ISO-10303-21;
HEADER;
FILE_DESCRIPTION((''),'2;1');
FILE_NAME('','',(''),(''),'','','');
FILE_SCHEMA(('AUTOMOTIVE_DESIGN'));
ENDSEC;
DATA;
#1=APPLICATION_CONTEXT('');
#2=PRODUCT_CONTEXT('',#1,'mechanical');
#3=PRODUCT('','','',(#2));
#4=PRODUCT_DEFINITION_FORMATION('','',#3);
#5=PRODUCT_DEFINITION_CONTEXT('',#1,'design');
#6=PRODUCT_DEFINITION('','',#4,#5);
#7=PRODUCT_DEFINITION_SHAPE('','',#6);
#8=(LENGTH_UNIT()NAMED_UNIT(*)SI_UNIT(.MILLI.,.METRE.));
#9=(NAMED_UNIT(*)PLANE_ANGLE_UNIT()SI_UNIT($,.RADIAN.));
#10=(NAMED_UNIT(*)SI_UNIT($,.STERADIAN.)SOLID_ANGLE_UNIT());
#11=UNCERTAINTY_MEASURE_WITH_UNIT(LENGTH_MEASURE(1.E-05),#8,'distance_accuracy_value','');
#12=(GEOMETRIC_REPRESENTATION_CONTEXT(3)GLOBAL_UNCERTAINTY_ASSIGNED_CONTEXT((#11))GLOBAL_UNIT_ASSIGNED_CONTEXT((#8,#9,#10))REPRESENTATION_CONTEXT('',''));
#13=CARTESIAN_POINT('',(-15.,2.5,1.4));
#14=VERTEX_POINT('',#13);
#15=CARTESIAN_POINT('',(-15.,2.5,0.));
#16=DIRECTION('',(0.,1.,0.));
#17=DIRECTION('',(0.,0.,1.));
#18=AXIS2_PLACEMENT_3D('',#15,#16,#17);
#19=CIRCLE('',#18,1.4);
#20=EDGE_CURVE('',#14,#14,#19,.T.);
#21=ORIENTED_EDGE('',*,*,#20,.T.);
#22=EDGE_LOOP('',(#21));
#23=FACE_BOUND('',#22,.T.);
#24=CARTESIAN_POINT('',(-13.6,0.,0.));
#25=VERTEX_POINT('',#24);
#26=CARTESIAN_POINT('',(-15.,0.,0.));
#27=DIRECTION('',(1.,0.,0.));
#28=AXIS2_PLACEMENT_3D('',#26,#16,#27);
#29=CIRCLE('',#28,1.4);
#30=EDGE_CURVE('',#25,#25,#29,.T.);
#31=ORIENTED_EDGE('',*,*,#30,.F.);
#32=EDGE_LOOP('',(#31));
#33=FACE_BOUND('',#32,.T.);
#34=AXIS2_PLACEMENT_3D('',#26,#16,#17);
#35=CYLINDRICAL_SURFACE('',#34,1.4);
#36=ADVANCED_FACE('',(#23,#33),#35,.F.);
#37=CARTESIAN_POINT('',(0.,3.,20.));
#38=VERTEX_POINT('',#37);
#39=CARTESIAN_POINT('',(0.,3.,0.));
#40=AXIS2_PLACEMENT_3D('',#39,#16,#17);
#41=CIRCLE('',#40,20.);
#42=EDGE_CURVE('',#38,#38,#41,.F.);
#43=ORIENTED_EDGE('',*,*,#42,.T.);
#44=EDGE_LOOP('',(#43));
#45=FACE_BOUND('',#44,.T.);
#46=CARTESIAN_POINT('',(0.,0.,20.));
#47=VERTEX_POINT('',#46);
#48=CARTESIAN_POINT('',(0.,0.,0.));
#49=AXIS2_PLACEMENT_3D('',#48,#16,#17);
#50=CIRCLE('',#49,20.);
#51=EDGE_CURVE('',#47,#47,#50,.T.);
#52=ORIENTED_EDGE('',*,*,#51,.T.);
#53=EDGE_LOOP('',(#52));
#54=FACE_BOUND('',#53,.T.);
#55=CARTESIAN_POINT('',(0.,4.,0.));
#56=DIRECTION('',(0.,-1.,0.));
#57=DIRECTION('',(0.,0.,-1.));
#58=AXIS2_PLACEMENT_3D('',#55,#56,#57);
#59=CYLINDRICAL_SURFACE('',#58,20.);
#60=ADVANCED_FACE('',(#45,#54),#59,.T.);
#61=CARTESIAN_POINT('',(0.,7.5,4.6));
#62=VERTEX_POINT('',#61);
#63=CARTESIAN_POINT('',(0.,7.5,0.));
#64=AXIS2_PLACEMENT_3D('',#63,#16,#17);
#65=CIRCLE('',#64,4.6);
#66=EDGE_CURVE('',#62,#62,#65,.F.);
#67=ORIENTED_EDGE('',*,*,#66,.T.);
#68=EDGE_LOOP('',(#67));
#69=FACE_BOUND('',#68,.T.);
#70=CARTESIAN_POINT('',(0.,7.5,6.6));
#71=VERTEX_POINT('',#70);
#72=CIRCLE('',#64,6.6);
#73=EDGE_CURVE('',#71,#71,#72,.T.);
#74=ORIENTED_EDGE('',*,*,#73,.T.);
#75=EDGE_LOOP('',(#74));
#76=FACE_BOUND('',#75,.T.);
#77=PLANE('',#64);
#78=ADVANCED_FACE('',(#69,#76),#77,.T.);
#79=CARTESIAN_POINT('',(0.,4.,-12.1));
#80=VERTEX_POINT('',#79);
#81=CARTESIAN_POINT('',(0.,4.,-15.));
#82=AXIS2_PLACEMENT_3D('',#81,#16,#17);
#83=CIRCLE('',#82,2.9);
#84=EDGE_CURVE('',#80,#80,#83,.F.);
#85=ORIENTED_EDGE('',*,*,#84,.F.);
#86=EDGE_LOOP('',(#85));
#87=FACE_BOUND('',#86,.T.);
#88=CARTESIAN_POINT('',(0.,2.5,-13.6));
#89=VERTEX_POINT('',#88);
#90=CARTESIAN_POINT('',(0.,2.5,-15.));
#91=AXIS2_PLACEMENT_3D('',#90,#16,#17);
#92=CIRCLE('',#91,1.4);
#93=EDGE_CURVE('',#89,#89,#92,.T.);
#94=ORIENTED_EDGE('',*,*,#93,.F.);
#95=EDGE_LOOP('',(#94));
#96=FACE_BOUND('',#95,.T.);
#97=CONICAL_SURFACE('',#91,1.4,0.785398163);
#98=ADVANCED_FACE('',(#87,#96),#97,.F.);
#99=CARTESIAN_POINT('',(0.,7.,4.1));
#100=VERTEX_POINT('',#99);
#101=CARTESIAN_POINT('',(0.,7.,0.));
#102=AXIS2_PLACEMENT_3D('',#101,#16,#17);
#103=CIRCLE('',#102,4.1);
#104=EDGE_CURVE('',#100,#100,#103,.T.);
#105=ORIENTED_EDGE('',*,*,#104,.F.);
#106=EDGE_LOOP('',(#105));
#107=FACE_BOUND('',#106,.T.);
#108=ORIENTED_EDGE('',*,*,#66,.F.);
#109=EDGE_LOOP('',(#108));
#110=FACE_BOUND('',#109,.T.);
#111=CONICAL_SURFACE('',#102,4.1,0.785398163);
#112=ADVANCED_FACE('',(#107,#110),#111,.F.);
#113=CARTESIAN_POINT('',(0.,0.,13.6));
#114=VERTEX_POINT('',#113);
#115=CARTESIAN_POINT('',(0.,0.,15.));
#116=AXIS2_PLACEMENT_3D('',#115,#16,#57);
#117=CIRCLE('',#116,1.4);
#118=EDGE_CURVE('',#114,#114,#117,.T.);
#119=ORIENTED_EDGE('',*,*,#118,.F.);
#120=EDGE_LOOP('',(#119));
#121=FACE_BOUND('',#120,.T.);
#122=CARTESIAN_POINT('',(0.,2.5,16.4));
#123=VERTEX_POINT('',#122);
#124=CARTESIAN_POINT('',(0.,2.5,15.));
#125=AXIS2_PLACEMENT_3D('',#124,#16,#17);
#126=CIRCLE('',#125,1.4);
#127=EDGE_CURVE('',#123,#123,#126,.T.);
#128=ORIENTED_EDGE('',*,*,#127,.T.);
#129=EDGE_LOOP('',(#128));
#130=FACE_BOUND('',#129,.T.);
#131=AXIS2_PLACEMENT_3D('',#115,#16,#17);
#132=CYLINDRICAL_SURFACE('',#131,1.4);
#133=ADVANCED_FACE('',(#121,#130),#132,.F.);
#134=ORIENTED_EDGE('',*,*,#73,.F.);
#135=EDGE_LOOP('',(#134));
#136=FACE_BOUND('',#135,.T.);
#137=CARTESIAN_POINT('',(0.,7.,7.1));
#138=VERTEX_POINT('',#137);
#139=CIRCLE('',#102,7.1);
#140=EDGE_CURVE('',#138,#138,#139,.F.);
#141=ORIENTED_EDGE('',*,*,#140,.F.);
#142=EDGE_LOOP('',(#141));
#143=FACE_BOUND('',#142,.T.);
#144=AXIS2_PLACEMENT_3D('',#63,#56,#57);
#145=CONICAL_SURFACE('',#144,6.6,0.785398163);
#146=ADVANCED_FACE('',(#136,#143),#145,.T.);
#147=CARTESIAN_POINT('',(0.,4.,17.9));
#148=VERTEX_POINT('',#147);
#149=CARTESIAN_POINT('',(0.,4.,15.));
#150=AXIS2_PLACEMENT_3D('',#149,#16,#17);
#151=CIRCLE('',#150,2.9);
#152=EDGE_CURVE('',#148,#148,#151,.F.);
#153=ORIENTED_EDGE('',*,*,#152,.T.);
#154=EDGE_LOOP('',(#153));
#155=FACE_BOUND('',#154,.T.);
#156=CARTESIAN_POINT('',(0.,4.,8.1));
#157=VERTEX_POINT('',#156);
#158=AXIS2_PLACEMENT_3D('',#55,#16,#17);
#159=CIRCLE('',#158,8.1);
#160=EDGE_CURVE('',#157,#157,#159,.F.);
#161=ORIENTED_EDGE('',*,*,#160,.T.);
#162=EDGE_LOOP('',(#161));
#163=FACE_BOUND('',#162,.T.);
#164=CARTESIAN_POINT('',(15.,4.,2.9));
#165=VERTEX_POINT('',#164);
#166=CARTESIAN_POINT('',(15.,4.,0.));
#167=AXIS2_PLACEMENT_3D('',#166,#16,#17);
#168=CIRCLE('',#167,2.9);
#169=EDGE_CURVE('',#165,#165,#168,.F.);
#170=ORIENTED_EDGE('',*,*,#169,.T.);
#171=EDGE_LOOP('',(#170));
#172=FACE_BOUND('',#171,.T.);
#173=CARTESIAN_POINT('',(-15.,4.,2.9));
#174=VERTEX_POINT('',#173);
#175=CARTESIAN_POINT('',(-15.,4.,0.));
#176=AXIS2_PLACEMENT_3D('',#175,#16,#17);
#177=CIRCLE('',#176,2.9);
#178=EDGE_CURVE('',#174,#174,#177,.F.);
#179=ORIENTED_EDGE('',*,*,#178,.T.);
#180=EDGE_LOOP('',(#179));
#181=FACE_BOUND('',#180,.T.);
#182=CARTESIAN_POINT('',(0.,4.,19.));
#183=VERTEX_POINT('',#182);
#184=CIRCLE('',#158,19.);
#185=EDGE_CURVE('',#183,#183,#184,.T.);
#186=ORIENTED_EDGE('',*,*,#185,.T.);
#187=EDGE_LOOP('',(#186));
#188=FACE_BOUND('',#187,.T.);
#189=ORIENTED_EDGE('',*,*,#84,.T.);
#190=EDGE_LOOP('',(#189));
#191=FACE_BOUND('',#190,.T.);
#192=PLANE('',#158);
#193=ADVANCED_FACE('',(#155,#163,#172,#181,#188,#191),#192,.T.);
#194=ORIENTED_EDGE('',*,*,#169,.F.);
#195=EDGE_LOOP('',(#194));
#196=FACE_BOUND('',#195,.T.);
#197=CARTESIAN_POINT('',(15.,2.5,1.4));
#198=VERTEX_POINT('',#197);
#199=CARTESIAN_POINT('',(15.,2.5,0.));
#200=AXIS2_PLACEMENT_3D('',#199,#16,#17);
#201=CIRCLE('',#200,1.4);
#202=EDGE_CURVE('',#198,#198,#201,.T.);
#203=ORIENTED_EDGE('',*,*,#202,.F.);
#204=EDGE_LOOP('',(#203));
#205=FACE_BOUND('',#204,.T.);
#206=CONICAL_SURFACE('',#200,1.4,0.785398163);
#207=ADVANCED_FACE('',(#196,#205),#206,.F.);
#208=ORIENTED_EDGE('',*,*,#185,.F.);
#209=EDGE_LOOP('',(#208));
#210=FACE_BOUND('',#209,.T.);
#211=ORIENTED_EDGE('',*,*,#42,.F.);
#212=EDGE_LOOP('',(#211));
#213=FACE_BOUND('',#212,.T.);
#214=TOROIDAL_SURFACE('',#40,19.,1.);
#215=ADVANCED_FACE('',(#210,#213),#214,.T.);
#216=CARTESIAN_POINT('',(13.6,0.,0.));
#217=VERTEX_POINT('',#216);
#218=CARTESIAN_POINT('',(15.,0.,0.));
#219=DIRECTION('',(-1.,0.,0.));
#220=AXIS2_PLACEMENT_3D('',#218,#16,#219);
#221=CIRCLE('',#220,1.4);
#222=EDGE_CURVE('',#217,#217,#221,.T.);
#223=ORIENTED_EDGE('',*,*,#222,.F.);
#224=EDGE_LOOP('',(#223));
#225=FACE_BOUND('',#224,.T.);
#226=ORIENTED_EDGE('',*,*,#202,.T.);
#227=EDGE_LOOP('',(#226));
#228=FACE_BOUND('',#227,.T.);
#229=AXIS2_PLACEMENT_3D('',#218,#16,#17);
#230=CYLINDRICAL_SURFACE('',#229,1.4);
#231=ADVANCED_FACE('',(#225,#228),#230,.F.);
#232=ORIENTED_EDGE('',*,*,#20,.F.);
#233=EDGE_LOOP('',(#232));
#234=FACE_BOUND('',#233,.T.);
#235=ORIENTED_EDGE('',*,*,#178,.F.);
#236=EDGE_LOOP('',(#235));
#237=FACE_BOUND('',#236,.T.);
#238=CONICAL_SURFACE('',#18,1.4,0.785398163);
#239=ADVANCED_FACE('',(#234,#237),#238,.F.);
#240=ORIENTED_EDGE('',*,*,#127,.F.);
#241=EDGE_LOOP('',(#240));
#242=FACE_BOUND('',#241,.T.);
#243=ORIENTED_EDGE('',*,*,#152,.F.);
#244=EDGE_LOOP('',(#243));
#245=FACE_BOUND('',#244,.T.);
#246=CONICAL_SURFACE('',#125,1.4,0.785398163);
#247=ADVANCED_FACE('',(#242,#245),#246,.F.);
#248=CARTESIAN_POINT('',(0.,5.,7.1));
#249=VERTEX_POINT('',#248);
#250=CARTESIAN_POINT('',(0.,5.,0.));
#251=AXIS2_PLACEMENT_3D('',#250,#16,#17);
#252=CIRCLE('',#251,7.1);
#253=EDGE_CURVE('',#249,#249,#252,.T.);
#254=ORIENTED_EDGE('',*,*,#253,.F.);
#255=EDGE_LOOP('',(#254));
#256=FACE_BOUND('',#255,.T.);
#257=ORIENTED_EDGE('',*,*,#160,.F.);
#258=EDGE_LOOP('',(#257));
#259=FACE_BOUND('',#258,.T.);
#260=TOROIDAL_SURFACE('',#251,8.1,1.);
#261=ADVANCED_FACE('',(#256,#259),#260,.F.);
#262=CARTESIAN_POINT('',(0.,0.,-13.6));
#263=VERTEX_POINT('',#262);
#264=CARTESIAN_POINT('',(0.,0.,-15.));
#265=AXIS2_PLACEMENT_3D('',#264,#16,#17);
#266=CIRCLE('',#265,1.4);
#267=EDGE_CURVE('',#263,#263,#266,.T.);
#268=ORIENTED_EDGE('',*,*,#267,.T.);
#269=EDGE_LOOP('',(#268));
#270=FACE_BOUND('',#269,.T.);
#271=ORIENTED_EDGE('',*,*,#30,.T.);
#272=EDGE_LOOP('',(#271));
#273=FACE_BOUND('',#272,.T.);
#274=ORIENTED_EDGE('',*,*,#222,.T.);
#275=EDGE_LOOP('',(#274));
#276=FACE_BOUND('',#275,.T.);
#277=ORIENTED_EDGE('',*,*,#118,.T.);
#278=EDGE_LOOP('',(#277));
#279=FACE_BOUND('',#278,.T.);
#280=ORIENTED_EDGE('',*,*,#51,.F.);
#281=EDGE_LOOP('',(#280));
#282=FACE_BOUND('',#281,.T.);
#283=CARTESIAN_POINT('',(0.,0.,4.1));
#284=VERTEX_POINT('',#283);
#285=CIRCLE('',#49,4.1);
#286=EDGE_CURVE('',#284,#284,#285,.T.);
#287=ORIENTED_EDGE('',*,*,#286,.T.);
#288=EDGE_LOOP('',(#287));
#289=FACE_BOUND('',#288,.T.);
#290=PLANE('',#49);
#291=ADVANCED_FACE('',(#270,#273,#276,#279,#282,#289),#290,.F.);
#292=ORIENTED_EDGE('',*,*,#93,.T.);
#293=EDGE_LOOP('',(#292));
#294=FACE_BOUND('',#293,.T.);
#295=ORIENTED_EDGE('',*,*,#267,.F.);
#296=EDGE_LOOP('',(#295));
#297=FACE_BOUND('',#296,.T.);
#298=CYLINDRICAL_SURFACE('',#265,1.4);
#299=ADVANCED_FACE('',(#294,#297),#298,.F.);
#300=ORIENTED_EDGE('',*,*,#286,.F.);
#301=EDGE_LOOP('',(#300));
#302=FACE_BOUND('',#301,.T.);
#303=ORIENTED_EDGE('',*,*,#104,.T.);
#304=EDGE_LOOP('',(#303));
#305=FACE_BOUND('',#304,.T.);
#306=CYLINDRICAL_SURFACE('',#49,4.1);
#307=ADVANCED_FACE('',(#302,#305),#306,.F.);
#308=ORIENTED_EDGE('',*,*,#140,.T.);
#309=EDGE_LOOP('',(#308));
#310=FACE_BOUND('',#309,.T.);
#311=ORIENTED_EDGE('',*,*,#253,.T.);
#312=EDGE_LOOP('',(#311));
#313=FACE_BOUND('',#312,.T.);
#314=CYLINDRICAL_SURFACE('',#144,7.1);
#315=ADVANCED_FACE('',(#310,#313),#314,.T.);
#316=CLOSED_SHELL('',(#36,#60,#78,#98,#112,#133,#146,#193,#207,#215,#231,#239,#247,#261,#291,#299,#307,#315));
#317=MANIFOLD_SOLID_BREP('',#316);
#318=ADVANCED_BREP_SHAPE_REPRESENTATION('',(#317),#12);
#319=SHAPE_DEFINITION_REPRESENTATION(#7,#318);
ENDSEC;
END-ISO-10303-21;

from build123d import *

# Parameters (mm, degrees)
SKETCH1_R                    = 20
BOSS_EXTRUDE1_DEPTH          = 4
SKETCH2_R                    = 4.1
CUT_EXTRUDE1_DEPTH           = 29.565713714
SKETCH3_R                    = 1.4
CUT_EXTRUDE2_DEPTH           = 29.565713714
CHAMFER1_SIZE                = 1.5
CIRPATTERN1_COUNT            = 4
CHAMFER1_OF_CIRPATTERN1_SIZE = 1.5
FILLET1_R                    = 1
BOSS_EXTRUDE2_START          = 3.5
SKETCH4_R                    = 7.1
SKETCH4_R_2                  = 4.1
BOSS_EXTRUDE2_DEPTH          = 3.5
CHAMFER2_SIZE                = 0.5
FILLET2_R                    = 1
CHAMFER3_SIZE                = 0.5


with BuildPart() as part:
    # Sketch1 → Boss-Extrude1 (new body)
    with BuildSketch(Plane(origin=(0, 0, 0), x_dir=(1, 0, 0), z_dir=(0, 1, 0))):
        Circle(SKETCH1_R)
    extrude(amount=BOSS_EXTRUDE1_DEPTH)

    # Sketch2 → Cut-Extrude1 (cut, through all)
    with BuildSketch(Plane(origin=(0, 4, 0), x_dir=(1, 0, 0), z_dir=(0, 1, 0))):
        Circle(SKETCH2_R)
    extrude(amount=-CUT_EXTRUDE1_DEPTH, mode=Mode.SUBTRACT)

    # Sketch3 → Cut-Extrude2 (cut, through all)
    with BuildSketch(Plane(origin=(0, 4, 0), x_dir=(1, 0, 0), z_dir=(0, 1, 0))):
        with Locations((0, 15)):
            Circle(SKETCH3_R)
    cut_extrude2 = extrude(amount=-CUT_EXTRUDE2_DEPTH, mode=Mode.SUBTRACT)

    # Chamfer1
    chamfer1_edges = [part.edges().sort_by_distance(p)[0] for p in [
        (-1.4, 4, -15),
    ]]
    chamfer(chamfer1_edges, length=CHAMFER1_SIZE)

    # CirPattern1: Cut-Extrude2 ×4 about axis
    cirpattern1_axis = Axis((0, 0, 0), (0, 1, 0))
    for i in range(1, CIRPATTERN1_COUNT):
        add(cut_extrude2.rotate(cirpattern1_axis, i * 360 / CIRPATTERN1_COUNT), mode=Mode.SUBTRACT)

    # Chamfer1 of CirPattern1
    chamfer1_of_cirpattern1_edges = [part.edges().sort_by_distance(p)[0] for p in [
        (-15, 4, 1.4),
        (1.4, 4, 15),
        (15, 4, -1.4),
    ]]
    chamfer(chamfer1_of_cirpattern1_edges, length=CHAMFER1_OF_CIRPATTERN1_SIZE)

    # Fillet1
    fillet1_edges = [part.edges().sort_by_distance(p)[0] for p in [
        (-20, 4, 0),
    ]]
    fillet(fillet1_edges, radius=FILLET1_R)

    # Sketch4 → Boss-Extrude2 (add)
    with BuildSketch(Plane(origin=(0, 4, 0), x_dir=(1, 0, 0), z_dir=(0, 1, 0)).offset(BOSS_EXTRUDE2_START)):
        Circle(SKETCH4_R)
        Circle(SKETCH4_R_2, mode=Mode.SUBTRACT)
    extrude(amount=-BOSS_EXTRUDE2_DEPTH)

    # Chamfer2
    chamfer2_edges = [part.edges().sort_by_distance(p)[0] for p in [
        (-4.1, 7.5, 0),
    ]]
    chamfer(chamfer2_edges, length=CHAMFER2_SIZE)

    # Fillet2
    fillet2_edges = [part.edges().sort_by_distance(p)[0] for p in [
        (-7.1, 4, 0),
    ]]
    fillet(fillet2_edges, radius=FILLET2_R)

    # Chamfer3
    chamfer3_edges = [part.edges().sort_by_distance(p)[0] for p in [
        (-7.1, 7.5, 0),
    ]]
    chamfer(chamfer3_edges, length=CHAMFER3_SIZE)


solid = part.part
